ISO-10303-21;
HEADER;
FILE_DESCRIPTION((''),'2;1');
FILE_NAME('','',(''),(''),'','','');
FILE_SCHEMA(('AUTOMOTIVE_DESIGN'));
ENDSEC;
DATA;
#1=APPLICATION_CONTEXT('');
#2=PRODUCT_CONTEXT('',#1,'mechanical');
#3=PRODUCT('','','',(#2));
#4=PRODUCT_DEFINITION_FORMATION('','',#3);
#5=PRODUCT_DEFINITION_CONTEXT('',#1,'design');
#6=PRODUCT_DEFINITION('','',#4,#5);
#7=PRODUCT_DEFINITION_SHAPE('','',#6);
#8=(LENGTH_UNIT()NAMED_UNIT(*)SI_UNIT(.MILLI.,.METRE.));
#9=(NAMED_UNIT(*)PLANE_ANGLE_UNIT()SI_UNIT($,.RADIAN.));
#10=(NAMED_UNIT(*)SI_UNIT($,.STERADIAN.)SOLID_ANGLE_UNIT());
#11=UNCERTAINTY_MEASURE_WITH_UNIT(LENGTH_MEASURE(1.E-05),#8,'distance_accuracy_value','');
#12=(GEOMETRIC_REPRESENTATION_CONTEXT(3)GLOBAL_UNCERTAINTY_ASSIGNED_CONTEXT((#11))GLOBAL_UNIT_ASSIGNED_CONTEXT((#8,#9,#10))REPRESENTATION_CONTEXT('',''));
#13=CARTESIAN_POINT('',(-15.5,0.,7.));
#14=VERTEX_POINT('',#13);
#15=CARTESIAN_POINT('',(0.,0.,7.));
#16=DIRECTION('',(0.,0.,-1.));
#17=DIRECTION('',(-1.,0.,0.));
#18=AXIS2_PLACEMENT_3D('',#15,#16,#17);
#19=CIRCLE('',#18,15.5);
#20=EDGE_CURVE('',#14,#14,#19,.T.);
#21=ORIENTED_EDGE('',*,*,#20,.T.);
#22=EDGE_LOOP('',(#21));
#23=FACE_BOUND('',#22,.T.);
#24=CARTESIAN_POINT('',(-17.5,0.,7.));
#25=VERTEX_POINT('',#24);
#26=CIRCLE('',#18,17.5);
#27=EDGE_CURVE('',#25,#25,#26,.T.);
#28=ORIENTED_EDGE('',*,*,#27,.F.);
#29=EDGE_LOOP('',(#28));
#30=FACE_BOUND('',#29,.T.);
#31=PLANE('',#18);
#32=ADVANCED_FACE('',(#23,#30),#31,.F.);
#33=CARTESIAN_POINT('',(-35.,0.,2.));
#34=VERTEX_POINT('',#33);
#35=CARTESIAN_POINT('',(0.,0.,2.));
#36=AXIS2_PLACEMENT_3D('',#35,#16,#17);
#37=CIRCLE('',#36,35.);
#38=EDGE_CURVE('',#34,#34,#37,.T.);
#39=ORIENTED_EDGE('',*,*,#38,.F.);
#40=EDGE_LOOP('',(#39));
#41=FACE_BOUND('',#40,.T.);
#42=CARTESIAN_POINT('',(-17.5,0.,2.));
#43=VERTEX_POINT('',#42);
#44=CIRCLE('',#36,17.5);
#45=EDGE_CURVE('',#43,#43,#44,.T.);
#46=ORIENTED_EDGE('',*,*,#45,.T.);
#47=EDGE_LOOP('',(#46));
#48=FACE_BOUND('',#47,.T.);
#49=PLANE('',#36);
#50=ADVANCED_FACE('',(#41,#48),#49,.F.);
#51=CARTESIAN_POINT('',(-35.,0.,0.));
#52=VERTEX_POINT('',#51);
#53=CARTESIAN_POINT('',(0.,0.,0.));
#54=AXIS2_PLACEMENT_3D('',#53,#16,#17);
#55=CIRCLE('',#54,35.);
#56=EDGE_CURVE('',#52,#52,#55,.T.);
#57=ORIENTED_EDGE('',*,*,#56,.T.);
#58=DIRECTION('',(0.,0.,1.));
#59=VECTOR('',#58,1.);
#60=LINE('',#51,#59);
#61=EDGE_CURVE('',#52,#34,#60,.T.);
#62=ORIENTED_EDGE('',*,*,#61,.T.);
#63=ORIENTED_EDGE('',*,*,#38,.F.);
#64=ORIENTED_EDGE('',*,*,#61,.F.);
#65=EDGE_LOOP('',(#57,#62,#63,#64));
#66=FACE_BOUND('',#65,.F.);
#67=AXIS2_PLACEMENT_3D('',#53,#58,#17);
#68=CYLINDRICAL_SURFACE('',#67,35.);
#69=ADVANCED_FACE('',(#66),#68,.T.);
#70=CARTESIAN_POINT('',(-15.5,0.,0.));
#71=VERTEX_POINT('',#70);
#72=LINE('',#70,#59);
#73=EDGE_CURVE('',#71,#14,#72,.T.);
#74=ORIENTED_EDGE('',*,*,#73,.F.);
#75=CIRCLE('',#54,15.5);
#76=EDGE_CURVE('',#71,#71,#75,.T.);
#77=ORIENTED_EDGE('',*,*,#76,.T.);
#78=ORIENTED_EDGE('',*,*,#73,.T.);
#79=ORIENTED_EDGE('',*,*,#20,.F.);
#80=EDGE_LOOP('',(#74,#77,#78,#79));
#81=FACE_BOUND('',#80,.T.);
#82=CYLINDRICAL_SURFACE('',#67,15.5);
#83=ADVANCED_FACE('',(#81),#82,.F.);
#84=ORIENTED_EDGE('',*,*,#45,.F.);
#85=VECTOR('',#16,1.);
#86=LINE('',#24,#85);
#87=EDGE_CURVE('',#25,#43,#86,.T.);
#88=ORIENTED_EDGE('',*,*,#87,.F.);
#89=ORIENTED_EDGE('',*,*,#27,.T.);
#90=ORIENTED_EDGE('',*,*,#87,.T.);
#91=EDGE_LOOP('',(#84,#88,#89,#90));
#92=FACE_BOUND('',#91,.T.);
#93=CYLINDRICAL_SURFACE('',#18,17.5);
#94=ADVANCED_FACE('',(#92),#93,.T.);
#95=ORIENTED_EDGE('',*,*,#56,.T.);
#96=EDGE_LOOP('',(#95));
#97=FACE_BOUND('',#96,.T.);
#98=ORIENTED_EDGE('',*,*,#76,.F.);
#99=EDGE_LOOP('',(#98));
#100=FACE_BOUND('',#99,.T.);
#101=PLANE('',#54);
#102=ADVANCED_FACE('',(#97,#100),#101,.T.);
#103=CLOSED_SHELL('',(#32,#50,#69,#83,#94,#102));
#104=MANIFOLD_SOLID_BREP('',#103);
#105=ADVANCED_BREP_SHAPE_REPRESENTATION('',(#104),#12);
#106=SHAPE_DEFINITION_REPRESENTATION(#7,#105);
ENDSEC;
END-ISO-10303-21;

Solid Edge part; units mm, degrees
sketch "Sketch1" plane through (0, 0, 0) normal (0, -1, 0) x (1, 0, 0)
  line L0 (-35, 0) -> (-15.5, 0)
  line L1 (-15.5, 0) -> (-15.5, 7)
  line L2 (-15.5, 7) -> (-17.5, 7)
  line L3 (-17.5, 7) -> (-17.5, 2)
  line L4 (-17.5, 2) -> (-35, 2)
  line L5 (-35, 0) -> (-35, 2)
  dimension "D1" = 2
  dimension "D2" = 15.5
  dimension "D3" = 2
  dimension "D4" = 35
  dimension "D5" = 5
revolve "RevolvedProtrusion1" add sketch "Sketch1" angle 360 about axis through (0, 0, 54) along (0, 0, -1)
